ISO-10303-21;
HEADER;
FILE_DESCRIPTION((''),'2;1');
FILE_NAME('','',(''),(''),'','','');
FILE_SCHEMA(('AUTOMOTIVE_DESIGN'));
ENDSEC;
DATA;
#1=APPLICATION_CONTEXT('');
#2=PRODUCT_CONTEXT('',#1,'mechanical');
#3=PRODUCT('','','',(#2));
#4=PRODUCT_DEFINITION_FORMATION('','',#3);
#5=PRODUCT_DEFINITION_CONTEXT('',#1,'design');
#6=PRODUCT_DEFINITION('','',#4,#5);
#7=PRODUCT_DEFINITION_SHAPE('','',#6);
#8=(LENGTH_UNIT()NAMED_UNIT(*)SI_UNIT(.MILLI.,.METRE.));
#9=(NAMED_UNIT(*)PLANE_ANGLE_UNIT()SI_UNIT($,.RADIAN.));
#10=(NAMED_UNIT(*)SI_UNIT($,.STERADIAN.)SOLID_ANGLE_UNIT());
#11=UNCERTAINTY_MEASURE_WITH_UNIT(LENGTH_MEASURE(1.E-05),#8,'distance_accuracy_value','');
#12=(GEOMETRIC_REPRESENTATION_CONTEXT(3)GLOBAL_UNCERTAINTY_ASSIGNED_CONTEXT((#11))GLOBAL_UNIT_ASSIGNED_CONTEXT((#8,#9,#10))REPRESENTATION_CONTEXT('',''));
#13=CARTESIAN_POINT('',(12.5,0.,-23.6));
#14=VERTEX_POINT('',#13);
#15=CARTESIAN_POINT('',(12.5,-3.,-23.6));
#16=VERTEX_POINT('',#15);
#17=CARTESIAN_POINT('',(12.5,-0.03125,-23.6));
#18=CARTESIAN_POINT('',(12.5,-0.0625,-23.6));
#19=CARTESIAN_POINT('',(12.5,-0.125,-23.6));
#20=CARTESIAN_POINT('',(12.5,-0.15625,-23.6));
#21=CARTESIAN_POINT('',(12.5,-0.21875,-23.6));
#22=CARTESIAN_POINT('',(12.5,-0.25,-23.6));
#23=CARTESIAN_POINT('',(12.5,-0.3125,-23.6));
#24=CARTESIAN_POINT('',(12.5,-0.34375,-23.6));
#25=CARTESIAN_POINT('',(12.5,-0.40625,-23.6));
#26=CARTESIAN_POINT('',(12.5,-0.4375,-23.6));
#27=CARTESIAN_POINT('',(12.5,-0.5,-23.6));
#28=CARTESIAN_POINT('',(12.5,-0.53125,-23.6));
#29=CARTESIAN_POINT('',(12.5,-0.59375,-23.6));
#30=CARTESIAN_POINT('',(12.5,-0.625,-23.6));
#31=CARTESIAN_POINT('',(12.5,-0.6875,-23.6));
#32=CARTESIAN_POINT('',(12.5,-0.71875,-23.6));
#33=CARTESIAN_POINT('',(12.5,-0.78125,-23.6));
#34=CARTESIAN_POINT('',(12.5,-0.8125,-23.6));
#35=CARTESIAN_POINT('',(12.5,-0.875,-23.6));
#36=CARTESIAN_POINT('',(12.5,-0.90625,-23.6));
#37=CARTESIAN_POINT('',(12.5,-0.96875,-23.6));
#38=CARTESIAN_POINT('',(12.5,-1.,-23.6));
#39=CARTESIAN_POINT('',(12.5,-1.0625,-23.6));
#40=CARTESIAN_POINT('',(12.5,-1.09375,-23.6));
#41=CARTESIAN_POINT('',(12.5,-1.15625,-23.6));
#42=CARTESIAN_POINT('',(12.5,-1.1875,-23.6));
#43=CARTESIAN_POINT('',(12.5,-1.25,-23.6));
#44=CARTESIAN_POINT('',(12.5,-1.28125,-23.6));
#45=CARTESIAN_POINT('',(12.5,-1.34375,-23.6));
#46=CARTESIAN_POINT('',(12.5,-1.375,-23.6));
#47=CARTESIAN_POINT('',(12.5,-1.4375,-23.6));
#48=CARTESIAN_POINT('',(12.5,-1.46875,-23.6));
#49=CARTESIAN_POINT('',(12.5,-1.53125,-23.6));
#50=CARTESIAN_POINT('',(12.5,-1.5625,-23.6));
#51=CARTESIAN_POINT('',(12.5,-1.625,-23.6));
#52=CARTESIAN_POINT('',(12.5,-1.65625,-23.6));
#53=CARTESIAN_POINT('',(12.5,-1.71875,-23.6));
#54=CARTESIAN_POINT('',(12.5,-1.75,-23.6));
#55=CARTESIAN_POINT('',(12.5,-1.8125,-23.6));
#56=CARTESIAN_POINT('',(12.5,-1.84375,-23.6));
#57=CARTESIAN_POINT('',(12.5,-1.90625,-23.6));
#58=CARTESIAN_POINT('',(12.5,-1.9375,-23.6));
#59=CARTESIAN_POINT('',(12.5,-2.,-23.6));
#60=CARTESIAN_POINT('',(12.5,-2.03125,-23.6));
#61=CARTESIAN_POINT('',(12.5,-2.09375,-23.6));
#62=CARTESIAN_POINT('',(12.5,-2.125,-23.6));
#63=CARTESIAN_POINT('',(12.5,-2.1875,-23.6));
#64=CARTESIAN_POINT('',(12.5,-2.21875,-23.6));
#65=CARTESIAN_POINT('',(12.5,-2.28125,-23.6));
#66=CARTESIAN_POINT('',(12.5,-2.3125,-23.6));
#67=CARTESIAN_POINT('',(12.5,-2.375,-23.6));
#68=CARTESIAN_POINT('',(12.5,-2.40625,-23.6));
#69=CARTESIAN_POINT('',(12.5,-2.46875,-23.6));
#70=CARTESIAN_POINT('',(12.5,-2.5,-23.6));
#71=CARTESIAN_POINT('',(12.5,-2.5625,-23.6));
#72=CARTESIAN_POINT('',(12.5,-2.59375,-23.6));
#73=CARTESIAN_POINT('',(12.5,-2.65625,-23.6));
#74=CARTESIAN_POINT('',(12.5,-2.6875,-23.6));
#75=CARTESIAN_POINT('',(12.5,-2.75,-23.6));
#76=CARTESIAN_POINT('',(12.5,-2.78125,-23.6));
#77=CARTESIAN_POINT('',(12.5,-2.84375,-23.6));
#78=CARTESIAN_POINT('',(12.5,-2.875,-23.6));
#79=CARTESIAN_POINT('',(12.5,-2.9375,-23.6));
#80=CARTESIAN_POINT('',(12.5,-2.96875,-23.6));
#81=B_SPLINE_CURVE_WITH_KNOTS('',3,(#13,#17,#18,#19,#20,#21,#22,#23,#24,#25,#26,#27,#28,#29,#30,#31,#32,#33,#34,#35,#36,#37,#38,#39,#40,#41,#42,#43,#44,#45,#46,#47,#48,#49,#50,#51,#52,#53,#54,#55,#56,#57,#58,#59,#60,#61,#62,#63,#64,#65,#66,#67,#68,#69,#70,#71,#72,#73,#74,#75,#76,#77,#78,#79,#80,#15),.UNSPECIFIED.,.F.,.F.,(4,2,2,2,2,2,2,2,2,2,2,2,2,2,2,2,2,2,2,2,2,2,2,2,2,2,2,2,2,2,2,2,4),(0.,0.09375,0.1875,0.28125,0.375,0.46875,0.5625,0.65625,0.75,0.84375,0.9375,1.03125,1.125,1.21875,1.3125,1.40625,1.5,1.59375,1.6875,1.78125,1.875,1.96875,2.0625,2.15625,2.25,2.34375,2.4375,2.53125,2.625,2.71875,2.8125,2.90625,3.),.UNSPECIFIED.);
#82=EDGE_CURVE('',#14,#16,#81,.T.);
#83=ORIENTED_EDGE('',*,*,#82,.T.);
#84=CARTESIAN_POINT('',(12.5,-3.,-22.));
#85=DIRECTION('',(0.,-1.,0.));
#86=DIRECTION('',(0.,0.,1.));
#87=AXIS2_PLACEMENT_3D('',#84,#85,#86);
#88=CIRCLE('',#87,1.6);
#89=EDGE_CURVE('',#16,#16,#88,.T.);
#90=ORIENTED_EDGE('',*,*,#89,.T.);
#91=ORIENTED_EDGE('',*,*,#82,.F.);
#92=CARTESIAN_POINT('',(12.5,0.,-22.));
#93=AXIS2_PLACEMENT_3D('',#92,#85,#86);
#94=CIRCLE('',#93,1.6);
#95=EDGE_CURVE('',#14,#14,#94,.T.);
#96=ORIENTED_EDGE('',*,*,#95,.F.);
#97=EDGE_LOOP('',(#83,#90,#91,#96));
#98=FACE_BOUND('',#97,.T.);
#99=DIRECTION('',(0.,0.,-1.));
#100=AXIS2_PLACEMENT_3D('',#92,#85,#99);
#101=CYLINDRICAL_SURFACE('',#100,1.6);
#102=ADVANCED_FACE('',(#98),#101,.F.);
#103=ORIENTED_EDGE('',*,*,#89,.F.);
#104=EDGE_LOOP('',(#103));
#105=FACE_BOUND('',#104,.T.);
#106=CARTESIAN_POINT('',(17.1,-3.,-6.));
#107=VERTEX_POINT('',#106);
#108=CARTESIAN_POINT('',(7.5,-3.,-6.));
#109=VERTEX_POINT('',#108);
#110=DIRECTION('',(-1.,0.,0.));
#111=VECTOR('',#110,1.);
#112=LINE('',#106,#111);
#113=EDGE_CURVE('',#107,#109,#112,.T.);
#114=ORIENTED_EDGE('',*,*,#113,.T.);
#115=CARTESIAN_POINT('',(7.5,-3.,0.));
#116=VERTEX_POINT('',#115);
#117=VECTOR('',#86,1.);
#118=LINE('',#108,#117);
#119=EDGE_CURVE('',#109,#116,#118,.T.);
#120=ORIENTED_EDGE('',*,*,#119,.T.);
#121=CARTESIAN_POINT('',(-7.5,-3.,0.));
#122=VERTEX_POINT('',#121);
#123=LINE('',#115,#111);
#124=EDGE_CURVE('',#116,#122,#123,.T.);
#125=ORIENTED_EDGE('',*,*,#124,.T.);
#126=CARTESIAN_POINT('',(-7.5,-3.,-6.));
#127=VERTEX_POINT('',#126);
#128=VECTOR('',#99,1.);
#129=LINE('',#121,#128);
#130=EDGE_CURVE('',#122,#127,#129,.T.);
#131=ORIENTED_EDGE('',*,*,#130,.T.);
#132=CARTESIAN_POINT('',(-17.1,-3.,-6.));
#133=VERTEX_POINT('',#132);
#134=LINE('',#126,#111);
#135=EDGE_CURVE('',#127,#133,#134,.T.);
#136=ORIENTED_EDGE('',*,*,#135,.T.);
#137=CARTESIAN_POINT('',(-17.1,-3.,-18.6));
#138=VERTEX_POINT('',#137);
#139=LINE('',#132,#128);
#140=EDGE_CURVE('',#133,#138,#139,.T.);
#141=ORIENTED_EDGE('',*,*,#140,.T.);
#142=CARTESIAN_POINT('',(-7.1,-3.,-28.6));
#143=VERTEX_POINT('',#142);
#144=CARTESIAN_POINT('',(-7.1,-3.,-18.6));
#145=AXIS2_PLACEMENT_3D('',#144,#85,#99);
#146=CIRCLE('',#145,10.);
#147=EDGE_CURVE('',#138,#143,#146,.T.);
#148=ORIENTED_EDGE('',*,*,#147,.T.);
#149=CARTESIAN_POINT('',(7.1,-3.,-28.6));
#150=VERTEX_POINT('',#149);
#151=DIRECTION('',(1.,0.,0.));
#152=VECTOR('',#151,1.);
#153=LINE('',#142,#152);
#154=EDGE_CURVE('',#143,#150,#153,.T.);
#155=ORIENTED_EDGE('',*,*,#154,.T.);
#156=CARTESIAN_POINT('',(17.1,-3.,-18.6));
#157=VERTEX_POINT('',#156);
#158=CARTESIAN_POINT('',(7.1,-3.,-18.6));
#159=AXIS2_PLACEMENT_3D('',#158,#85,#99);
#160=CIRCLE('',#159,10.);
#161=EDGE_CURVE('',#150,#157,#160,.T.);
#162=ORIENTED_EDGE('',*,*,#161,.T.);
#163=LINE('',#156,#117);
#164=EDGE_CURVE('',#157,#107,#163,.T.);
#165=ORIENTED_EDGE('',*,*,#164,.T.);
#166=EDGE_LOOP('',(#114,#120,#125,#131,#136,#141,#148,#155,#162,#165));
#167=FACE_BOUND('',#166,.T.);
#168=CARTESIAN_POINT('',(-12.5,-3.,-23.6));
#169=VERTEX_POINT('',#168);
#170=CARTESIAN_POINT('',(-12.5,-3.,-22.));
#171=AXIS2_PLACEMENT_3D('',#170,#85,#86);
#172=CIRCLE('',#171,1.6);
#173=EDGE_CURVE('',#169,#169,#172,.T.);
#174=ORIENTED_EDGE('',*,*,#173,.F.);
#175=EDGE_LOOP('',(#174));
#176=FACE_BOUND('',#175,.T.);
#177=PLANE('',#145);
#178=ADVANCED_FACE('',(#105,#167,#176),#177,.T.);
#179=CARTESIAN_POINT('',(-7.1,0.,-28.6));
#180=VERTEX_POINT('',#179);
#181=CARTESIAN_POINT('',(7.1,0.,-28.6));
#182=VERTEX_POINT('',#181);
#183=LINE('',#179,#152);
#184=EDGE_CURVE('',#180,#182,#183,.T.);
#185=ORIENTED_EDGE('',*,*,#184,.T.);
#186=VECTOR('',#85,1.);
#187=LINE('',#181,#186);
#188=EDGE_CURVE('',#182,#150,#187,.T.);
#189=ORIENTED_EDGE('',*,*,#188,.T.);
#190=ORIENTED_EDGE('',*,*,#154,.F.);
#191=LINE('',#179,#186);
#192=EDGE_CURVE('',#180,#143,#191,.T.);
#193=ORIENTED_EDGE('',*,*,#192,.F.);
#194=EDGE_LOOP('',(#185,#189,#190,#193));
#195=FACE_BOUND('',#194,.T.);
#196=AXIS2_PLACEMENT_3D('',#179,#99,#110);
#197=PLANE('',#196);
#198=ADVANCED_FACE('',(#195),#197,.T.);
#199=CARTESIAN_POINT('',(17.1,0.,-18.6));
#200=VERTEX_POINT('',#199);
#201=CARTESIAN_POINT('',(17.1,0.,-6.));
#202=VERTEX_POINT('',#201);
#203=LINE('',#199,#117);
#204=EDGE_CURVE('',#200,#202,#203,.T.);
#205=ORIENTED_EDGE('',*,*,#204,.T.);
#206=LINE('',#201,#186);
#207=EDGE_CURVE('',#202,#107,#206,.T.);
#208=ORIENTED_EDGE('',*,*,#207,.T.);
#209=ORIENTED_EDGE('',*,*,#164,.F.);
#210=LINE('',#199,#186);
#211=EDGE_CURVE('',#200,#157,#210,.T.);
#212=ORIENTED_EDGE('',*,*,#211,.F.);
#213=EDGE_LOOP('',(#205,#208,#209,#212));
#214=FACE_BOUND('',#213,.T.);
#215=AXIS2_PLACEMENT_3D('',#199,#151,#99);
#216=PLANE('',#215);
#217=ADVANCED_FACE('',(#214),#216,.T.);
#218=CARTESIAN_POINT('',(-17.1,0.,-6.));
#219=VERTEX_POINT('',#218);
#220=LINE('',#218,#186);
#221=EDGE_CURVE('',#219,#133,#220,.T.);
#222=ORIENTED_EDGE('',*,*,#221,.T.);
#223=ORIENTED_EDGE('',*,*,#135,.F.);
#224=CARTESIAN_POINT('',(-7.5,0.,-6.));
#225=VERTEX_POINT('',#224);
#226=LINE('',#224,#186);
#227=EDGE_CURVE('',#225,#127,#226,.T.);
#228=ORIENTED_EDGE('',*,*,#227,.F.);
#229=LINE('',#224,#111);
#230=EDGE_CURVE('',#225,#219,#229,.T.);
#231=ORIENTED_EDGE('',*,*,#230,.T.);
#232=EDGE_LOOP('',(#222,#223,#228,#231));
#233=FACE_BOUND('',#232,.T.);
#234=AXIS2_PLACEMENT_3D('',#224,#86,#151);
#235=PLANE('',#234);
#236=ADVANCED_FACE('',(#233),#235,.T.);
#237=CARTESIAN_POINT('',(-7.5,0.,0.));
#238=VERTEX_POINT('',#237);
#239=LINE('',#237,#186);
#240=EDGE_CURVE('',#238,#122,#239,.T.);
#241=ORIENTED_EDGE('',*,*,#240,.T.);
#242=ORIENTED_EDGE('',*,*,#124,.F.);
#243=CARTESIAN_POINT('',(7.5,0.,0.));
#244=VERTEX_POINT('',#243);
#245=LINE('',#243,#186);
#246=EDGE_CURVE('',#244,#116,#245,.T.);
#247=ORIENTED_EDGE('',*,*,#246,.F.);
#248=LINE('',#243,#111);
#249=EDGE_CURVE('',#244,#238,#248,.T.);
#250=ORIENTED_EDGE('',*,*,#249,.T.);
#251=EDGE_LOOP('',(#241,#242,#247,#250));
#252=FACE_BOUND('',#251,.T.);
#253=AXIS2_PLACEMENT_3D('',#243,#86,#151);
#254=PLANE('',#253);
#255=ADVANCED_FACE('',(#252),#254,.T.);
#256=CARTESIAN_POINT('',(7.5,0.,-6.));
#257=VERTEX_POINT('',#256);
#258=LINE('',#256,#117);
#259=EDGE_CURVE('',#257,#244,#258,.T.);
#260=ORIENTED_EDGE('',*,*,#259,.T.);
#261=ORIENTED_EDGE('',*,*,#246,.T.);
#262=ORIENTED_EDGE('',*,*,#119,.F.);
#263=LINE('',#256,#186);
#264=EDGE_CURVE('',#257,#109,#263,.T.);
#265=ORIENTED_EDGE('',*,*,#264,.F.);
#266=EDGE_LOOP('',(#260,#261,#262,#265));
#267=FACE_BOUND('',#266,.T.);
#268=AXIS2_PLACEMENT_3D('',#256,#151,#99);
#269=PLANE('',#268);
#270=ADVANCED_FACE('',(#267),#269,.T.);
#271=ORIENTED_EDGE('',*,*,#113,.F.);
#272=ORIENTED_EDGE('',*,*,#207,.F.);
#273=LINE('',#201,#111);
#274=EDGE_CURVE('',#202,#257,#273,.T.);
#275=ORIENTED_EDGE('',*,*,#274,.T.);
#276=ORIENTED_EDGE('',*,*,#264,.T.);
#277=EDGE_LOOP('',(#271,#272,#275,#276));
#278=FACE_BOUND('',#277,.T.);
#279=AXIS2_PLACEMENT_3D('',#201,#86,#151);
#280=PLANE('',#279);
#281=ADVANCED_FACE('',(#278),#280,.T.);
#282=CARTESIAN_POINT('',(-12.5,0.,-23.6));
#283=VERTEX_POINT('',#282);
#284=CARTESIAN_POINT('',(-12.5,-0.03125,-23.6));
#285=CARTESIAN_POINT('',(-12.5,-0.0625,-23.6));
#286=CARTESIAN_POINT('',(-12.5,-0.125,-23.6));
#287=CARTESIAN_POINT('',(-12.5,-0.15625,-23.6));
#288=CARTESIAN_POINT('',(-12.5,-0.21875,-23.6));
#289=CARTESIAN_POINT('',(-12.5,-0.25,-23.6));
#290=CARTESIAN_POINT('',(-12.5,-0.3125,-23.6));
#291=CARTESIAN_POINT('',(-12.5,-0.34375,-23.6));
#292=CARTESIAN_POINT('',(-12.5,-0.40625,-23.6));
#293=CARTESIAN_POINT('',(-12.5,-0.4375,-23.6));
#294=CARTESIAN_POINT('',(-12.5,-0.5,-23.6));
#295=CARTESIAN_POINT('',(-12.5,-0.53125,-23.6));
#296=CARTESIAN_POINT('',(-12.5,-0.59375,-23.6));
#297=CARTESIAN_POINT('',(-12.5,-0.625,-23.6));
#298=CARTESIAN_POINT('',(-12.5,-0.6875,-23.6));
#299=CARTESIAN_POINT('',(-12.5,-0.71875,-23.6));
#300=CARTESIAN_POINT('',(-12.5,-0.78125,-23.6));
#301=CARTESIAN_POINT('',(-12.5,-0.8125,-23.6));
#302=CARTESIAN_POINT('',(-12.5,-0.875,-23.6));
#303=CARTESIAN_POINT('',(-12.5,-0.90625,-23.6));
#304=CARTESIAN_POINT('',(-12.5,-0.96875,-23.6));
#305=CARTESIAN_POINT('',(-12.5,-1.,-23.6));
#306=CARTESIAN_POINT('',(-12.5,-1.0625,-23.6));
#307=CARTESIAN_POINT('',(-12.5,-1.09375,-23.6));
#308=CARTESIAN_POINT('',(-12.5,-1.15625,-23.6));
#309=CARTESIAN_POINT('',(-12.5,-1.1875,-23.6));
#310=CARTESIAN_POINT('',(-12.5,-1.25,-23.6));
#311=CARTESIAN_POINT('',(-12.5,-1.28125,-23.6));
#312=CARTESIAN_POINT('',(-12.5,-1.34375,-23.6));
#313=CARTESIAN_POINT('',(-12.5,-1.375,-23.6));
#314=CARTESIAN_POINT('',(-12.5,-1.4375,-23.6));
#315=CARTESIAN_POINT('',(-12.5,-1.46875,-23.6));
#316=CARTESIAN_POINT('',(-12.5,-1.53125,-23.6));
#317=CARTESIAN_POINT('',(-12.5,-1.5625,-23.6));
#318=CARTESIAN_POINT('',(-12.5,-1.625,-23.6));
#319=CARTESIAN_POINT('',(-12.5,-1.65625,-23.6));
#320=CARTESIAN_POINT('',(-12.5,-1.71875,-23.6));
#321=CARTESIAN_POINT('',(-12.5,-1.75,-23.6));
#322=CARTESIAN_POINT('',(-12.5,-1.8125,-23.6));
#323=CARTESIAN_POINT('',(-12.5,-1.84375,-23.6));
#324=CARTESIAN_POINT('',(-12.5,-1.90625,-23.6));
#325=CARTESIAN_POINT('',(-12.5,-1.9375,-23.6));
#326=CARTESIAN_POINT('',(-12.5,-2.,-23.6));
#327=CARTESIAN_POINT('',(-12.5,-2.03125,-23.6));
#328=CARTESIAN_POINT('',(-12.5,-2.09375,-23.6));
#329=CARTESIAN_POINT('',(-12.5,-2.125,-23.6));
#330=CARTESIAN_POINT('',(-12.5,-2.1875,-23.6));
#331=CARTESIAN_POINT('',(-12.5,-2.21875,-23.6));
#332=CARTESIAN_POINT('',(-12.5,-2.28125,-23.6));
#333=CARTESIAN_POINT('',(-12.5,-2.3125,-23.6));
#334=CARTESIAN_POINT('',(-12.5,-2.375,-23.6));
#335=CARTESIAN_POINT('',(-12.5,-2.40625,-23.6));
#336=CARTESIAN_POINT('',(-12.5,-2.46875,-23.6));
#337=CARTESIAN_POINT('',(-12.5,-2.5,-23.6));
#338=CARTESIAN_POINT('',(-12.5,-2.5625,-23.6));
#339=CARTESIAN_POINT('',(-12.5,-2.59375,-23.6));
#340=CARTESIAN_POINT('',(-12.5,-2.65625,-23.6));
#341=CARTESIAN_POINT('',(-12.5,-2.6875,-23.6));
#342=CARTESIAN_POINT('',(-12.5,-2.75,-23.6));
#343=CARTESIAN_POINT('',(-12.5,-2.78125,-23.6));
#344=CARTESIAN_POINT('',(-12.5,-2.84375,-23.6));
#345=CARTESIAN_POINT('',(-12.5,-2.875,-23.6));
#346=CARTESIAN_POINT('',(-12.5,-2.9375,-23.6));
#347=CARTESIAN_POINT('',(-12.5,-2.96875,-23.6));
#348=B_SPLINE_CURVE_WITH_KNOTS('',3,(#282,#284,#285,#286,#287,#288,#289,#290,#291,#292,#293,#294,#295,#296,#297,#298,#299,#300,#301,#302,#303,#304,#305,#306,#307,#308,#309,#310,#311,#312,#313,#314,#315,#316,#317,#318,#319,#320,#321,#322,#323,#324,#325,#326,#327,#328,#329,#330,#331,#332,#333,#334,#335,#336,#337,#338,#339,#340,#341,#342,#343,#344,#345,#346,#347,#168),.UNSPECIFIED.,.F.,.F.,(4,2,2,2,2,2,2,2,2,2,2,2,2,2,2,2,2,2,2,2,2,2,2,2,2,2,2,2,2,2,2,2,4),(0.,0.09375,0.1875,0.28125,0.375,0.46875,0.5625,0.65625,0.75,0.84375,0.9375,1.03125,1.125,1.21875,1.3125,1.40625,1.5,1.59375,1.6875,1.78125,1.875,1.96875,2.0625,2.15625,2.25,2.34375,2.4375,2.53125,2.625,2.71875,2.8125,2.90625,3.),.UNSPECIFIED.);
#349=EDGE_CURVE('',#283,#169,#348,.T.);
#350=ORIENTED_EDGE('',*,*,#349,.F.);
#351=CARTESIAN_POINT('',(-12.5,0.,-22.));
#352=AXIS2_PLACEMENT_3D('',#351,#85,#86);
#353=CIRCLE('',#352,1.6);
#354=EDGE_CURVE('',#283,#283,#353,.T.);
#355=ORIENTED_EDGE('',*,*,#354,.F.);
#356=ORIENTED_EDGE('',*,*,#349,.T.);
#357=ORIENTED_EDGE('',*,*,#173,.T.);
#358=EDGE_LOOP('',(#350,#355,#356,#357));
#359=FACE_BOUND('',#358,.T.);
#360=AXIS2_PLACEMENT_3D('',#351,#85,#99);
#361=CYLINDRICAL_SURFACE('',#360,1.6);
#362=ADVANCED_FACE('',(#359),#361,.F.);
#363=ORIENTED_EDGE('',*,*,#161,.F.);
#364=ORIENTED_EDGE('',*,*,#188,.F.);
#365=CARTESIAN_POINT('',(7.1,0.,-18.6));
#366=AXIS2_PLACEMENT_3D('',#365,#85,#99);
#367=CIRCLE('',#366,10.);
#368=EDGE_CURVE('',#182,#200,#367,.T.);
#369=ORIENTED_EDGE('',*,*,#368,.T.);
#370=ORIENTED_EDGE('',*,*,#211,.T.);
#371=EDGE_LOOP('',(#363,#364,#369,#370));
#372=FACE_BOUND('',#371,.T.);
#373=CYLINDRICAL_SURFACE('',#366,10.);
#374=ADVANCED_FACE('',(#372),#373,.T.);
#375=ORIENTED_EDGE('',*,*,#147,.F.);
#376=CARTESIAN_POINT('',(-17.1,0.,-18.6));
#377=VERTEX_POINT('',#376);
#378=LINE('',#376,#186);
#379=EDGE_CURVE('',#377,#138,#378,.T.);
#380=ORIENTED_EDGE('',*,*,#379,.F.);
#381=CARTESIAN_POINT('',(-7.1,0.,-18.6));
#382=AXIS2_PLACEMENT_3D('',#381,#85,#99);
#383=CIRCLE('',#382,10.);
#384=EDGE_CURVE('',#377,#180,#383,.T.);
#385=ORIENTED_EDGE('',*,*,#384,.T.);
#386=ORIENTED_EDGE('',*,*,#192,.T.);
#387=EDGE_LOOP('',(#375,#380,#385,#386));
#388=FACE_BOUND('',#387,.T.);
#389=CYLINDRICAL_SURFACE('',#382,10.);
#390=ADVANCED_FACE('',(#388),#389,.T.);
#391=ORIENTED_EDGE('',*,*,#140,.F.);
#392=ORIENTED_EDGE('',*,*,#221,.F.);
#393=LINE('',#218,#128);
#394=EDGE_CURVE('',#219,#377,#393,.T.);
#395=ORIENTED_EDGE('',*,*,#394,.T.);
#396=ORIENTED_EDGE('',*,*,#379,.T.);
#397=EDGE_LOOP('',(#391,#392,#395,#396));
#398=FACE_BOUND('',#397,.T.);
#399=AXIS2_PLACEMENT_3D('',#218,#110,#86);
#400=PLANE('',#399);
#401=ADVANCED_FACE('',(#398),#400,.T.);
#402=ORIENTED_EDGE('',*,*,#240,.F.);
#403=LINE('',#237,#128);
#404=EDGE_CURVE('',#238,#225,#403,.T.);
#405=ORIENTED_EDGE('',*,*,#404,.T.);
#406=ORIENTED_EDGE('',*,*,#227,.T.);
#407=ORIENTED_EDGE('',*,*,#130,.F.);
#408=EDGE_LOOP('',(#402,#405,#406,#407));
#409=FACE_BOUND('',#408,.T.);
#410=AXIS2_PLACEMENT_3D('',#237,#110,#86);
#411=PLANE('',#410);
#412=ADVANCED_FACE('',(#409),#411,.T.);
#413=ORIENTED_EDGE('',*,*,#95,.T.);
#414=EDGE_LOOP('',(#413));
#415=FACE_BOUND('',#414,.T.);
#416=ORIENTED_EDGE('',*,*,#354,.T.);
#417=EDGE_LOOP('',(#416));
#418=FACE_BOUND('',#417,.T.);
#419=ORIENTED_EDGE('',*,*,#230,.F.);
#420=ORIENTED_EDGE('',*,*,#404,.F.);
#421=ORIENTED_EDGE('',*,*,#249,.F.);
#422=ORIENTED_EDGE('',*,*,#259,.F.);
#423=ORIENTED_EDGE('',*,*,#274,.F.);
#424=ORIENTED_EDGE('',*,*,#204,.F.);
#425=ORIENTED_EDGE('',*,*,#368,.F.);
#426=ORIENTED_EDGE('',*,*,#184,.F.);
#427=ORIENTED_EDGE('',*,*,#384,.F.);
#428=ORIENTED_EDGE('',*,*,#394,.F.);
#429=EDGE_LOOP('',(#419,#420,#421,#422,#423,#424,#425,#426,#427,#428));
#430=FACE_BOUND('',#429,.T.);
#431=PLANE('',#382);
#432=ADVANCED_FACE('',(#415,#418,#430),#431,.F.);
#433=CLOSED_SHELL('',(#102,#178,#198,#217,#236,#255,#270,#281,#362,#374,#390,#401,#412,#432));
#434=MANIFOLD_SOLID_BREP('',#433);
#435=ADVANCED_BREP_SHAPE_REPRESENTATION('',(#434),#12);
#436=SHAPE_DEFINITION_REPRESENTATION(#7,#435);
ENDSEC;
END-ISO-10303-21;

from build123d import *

# Parameters (mm, degrees)
ESBO_O1_R                = 1.6
RESSALTO_EXTRUS_O1_DEPTH = 3


with BuildPart() as part:
    # Esboço1 → Ressalto-extrusão1 (new body)
    with BuildSketch(Plane.XZ.offset(3)):
        with BuildLine():
            Line((-7.1, -28.6), (7.1, -28.6))
            ThreePointArc((7.1, -28.6), (14.171067812, -25.671067812), (17.1, -18.6))
            Line((17.1, -18.6), (17.1, -6))
            Line((17.1, -6), (7.5, -6))
            Line((7.5, -6), (7.5, 0))
            Line((7.5, 0), (-7.5, 0))
            Line((-7.5, 0), (-7.5, -6))
            Line((-7.5, -6), (-17.1, -6))
            Line((-17.1, -6), (-17.1, -18.6))
            ThreePointArc((-17.1, -18.6), (-14.171067812, -25.671067812), (-7.1, -28.6))
        make_face()
        with Locations(Location((-12.5, -22, 0), (0, 0, 270))):
            Circle(ESBO_O1_R, mode=Mode.SUBTRACT)
        with Locations(Location((12.5, -22, 0), (0, 0, 270))):
            Circle(ESBO_O1_R, mode=Mode.SUBTRACT)
    extrude(amount=-RESSALTO_EXTRUS_O1_DEPTH)


solid = part.part
